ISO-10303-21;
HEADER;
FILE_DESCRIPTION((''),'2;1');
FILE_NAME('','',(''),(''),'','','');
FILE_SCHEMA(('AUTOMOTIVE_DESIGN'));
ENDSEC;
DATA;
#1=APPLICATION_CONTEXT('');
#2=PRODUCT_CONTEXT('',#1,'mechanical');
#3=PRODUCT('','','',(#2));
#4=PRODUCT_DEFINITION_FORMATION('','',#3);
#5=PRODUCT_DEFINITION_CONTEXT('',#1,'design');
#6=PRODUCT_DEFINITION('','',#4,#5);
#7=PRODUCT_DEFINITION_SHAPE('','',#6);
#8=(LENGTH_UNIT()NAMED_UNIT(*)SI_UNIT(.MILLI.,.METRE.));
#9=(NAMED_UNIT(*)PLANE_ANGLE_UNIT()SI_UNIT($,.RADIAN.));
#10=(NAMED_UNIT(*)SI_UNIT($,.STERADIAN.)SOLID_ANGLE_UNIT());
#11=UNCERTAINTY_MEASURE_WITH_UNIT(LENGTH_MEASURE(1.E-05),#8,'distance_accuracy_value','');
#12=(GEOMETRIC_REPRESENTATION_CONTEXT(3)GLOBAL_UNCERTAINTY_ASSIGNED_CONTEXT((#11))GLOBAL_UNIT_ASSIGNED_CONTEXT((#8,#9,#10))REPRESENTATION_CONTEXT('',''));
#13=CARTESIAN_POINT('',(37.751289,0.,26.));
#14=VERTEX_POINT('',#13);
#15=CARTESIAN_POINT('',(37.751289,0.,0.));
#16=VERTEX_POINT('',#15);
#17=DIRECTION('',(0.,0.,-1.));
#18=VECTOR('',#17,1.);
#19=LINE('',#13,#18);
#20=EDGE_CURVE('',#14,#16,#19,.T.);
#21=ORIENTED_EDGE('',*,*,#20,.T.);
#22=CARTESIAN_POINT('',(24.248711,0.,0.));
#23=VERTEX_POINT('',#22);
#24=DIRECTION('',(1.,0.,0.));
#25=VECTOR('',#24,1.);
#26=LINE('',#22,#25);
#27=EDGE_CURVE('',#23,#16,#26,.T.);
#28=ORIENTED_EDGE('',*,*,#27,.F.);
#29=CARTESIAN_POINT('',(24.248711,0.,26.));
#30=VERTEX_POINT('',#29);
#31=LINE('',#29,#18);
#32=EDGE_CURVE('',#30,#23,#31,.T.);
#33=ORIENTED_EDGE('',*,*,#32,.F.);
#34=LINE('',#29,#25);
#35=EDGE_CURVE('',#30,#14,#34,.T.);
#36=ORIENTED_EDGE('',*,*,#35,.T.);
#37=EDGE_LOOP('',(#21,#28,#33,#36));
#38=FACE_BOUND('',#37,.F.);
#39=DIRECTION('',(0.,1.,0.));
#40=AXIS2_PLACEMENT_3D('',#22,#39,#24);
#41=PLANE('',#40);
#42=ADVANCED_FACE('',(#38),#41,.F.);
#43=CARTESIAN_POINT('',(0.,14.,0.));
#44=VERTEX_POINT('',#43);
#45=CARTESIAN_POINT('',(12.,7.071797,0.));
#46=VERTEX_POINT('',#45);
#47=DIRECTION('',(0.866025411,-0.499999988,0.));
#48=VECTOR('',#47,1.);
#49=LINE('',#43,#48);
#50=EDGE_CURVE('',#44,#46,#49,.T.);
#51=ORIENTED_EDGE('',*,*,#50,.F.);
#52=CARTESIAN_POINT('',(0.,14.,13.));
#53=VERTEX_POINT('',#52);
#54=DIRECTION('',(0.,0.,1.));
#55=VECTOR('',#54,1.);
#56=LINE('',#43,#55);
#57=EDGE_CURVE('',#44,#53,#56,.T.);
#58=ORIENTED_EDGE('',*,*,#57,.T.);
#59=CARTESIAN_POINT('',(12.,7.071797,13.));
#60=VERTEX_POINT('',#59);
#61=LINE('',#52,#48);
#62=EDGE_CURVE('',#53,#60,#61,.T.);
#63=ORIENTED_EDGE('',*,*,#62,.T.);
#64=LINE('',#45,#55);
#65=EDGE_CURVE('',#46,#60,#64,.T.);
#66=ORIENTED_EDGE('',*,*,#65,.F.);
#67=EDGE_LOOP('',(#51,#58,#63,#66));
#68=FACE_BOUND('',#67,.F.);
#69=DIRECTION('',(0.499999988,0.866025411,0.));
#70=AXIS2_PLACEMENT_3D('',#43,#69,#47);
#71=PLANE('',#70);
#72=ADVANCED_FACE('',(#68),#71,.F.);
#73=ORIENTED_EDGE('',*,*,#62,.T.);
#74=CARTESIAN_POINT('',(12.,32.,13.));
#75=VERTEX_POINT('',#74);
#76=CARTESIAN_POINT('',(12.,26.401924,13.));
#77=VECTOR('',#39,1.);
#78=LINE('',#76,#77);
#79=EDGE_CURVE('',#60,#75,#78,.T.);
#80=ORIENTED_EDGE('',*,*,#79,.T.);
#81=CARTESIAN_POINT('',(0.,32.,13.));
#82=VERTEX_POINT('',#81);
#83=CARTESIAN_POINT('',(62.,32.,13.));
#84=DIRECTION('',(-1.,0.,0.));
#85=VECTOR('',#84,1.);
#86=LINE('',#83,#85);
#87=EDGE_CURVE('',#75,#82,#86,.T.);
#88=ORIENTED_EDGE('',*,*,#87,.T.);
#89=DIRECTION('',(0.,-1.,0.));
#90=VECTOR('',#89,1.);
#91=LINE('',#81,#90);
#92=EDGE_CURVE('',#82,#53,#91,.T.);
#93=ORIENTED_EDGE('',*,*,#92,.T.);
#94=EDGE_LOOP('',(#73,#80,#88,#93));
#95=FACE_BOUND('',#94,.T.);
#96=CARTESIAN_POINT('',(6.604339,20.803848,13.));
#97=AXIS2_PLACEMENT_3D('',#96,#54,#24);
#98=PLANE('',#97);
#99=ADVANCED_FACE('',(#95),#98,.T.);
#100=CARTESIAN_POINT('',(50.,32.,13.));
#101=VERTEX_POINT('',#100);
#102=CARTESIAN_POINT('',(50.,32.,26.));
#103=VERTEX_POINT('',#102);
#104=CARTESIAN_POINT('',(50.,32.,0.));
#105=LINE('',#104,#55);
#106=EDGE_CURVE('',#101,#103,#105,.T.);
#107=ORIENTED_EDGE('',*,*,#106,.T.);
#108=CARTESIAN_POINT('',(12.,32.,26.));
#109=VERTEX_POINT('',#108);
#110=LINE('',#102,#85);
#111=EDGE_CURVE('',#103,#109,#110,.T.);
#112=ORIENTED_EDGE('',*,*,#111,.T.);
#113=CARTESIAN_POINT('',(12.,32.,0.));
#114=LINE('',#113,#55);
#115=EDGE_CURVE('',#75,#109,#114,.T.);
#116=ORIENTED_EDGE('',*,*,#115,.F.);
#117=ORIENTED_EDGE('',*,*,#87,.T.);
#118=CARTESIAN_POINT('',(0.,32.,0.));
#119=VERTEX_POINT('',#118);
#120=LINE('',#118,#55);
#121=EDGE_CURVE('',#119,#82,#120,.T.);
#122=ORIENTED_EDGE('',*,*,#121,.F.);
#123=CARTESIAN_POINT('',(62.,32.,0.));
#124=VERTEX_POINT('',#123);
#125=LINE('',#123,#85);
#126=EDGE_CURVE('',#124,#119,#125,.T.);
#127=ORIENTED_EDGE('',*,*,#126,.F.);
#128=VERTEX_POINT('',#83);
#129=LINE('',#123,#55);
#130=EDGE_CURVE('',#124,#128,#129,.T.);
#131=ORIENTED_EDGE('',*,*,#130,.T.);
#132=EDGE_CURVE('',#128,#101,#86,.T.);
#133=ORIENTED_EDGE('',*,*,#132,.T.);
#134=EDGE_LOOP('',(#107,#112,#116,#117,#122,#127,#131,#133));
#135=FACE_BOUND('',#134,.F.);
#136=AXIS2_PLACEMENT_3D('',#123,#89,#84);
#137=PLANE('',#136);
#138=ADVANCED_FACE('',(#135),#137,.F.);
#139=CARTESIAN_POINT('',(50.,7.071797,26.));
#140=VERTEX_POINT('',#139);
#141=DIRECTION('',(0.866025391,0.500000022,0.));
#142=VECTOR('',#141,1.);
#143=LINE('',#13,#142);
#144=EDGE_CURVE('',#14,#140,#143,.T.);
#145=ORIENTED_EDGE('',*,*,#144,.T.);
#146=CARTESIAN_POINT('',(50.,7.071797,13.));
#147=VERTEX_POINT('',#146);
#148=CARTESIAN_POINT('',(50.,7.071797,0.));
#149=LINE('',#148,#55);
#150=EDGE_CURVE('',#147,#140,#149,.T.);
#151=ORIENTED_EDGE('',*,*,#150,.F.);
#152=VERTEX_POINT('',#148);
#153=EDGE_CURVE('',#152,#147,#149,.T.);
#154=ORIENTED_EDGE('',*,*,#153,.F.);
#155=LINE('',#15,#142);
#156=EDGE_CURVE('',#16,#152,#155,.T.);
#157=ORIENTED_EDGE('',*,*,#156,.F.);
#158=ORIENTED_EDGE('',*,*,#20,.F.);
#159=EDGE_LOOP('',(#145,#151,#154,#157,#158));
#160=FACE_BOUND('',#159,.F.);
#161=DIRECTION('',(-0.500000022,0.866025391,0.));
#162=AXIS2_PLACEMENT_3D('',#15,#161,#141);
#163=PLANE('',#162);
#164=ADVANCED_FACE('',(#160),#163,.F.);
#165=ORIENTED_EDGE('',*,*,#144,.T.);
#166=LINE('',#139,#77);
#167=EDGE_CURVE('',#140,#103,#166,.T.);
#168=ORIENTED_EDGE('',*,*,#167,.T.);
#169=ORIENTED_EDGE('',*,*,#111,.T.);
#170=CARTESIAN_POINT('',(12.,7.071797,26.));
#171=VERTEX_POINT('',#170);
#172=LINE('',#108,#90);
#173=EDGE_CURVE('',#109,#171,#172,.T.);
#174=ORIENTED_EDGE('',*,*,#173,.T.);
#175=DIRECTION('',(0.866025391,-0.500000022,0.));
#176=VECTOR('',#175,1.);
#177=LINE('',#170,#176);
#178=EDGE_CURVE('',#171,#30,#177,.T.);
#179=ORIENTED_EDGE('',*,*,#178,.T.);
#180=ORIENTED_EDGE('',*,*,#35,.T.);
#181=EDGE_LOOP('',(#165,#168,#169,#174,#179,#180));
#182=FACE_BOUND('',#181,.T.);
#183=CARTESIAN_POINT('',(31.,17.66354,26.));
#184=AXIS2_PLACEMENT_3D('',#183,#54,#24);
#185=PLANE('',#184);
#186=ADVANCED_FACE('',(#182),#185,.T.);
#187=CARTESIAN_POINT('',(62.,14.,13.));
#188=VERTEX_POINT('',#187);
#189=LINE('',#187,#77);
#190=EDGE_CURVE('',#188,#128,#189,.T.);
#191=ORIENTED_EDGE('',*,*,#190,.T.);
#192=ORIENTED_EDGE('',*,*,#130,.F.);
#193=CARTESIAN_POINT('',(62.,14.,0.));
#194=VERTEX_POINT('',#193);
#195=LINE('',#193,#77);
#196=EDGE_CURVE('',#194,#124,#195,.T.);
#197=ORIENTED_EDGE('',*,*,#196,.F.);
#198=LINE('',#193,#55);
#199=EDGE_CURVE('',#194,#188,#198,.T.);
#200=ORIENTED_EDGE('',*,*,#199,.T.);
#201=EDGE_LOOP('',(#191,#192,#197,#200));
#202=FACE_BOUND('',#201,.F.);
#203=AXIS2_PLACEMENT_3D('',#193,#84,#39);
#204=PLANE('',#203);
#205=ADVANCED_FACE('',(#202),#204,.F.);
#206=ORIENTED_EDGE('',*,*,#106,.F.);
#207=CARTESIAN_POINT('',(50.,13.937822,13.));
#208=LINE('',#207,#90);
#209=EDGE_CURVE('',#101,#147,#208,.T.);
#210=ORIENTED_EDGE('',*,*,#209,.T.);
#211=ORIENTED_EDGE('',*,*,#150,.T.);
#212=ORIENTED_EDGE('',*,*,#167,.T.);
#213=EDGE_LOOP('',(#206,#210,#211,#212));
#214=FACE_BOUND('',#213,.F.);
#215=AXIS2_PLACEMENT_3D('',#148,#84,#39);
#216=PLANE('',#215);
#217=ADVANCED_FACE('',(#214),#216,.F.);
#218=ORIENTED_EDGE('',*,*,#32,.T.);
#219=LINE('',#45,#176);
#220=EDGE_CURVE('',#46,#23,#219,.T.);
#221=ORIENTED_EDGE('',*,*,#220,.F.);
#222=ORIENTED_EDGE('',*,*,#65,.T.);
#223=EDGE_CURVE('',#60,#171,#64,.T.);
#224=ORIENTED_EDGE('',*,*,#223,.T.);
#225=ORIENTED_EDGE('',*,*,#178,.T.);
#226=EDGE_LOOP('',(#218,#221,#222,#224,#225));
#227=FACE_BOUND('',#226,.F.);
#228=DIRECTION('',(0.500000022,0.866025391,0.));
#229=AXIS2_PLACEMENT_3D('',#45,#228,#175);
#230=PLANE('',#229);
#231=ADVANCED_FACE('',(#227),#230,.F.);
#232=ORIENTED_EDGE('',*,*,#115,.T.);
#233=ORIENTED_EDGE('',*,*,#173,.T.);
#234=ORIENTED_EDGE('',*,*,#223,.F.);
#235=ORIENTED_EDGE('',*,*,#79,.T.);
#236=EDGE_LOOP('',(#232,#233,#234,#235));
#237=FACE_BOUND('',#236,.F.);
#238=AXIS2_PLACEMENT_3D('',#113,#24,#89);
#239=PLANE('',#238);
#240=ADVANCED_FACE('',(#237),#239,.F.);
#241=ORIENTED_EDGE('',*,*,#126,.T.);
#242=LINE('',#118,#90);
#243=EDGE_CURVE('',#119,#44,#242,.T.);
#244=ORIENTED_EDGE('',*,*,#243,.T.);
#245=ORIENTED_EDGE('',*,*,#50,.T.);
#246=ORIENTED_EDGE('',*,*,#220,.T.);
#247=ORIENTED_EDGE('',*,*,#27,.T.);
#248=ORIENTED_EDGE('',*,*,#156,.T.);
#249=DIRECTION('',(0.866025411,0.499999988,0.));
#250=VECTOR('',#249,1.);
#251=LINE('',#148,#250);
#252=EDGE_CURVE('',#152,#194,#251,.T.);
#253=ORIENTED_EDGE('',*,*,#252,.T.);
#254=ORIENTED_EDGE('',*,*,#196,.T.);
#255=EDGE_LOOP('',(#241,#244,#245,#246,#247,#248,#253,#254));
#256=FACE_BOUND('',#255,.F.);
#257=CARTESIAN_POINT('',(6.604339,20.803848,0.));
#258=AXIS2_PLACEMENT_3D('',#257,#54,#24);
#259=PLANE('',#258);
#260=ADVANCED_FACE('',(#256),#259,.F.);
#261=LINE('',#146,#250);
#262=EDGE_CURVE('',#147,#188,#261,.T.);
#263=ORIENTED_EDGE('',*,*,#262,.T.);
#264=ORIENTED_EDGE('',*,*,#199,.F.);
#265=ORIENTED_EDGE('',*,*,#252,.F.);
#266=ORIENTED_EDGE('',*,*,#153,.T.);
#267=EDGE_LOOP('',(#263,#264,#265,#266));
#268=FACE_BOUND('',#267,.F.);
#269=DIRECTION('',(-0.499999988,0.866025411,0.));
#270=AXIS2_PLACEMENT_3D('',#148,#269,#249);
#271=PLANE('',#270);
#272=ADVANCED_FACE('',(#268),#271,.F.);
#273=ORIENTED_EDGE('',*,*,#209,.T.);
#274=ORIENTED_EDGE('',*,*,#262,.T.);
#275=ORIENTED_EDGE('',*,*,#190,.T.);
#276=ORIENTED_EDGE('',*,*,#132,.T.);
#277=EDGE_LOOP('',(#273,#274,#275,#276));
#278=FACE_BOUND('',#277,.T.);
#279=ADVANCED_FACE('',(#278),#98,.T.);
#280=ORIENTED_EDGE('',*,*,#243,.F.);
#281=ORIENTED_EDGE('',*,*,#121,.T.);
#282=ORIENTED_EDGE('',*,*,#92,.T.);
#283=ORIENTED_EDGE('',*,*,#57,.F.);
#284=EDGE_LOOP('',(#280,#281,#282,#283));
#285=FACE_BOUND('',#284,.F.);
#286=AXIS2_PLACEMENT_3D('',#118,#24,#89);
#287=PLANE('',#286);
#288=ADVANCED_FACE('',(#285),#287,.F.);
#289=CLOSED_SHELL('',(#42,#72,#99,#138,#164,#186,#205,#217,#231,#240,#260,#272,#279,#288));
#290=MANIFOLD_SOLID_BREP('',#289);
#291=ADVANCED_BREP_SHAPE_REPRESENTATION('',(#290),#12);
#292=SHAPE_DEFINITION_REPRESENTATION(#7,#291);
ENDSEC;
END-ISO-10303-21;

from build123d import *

# Parameters (mm, degrees)
F1_DEPTH = 13
F2_DEPTH = 26


with BuildPart() as f1:
    # F0 (on Top) → F1 (new body)
    with BuildSketch(Plane.XY):
        Polygon((0, 32), (0, 14), (12, 7.071797), (12, 32), align=None)
        Polygon((50, 32), (50, 7.071797), (62, 14), (62, 32), align=None)
        Polygon((12, 7.071797), (24.248711, 0), (37.751289, 0), (50, 7.071797), (50, 32), (12, 32), align=None)
    extrude(amount=F1_DEPTH)

    # F0 (on Top) → F2 (join)
    with BuildSketch(Plane.XY):
        Polygon((12, 7.071797), (24.248711, 0), (37.751289, 0), (50, 7.071797), (50, 32), (12, 32), align=None)
    extrude(amount=F2_DEPTH)


solid = f1.part
